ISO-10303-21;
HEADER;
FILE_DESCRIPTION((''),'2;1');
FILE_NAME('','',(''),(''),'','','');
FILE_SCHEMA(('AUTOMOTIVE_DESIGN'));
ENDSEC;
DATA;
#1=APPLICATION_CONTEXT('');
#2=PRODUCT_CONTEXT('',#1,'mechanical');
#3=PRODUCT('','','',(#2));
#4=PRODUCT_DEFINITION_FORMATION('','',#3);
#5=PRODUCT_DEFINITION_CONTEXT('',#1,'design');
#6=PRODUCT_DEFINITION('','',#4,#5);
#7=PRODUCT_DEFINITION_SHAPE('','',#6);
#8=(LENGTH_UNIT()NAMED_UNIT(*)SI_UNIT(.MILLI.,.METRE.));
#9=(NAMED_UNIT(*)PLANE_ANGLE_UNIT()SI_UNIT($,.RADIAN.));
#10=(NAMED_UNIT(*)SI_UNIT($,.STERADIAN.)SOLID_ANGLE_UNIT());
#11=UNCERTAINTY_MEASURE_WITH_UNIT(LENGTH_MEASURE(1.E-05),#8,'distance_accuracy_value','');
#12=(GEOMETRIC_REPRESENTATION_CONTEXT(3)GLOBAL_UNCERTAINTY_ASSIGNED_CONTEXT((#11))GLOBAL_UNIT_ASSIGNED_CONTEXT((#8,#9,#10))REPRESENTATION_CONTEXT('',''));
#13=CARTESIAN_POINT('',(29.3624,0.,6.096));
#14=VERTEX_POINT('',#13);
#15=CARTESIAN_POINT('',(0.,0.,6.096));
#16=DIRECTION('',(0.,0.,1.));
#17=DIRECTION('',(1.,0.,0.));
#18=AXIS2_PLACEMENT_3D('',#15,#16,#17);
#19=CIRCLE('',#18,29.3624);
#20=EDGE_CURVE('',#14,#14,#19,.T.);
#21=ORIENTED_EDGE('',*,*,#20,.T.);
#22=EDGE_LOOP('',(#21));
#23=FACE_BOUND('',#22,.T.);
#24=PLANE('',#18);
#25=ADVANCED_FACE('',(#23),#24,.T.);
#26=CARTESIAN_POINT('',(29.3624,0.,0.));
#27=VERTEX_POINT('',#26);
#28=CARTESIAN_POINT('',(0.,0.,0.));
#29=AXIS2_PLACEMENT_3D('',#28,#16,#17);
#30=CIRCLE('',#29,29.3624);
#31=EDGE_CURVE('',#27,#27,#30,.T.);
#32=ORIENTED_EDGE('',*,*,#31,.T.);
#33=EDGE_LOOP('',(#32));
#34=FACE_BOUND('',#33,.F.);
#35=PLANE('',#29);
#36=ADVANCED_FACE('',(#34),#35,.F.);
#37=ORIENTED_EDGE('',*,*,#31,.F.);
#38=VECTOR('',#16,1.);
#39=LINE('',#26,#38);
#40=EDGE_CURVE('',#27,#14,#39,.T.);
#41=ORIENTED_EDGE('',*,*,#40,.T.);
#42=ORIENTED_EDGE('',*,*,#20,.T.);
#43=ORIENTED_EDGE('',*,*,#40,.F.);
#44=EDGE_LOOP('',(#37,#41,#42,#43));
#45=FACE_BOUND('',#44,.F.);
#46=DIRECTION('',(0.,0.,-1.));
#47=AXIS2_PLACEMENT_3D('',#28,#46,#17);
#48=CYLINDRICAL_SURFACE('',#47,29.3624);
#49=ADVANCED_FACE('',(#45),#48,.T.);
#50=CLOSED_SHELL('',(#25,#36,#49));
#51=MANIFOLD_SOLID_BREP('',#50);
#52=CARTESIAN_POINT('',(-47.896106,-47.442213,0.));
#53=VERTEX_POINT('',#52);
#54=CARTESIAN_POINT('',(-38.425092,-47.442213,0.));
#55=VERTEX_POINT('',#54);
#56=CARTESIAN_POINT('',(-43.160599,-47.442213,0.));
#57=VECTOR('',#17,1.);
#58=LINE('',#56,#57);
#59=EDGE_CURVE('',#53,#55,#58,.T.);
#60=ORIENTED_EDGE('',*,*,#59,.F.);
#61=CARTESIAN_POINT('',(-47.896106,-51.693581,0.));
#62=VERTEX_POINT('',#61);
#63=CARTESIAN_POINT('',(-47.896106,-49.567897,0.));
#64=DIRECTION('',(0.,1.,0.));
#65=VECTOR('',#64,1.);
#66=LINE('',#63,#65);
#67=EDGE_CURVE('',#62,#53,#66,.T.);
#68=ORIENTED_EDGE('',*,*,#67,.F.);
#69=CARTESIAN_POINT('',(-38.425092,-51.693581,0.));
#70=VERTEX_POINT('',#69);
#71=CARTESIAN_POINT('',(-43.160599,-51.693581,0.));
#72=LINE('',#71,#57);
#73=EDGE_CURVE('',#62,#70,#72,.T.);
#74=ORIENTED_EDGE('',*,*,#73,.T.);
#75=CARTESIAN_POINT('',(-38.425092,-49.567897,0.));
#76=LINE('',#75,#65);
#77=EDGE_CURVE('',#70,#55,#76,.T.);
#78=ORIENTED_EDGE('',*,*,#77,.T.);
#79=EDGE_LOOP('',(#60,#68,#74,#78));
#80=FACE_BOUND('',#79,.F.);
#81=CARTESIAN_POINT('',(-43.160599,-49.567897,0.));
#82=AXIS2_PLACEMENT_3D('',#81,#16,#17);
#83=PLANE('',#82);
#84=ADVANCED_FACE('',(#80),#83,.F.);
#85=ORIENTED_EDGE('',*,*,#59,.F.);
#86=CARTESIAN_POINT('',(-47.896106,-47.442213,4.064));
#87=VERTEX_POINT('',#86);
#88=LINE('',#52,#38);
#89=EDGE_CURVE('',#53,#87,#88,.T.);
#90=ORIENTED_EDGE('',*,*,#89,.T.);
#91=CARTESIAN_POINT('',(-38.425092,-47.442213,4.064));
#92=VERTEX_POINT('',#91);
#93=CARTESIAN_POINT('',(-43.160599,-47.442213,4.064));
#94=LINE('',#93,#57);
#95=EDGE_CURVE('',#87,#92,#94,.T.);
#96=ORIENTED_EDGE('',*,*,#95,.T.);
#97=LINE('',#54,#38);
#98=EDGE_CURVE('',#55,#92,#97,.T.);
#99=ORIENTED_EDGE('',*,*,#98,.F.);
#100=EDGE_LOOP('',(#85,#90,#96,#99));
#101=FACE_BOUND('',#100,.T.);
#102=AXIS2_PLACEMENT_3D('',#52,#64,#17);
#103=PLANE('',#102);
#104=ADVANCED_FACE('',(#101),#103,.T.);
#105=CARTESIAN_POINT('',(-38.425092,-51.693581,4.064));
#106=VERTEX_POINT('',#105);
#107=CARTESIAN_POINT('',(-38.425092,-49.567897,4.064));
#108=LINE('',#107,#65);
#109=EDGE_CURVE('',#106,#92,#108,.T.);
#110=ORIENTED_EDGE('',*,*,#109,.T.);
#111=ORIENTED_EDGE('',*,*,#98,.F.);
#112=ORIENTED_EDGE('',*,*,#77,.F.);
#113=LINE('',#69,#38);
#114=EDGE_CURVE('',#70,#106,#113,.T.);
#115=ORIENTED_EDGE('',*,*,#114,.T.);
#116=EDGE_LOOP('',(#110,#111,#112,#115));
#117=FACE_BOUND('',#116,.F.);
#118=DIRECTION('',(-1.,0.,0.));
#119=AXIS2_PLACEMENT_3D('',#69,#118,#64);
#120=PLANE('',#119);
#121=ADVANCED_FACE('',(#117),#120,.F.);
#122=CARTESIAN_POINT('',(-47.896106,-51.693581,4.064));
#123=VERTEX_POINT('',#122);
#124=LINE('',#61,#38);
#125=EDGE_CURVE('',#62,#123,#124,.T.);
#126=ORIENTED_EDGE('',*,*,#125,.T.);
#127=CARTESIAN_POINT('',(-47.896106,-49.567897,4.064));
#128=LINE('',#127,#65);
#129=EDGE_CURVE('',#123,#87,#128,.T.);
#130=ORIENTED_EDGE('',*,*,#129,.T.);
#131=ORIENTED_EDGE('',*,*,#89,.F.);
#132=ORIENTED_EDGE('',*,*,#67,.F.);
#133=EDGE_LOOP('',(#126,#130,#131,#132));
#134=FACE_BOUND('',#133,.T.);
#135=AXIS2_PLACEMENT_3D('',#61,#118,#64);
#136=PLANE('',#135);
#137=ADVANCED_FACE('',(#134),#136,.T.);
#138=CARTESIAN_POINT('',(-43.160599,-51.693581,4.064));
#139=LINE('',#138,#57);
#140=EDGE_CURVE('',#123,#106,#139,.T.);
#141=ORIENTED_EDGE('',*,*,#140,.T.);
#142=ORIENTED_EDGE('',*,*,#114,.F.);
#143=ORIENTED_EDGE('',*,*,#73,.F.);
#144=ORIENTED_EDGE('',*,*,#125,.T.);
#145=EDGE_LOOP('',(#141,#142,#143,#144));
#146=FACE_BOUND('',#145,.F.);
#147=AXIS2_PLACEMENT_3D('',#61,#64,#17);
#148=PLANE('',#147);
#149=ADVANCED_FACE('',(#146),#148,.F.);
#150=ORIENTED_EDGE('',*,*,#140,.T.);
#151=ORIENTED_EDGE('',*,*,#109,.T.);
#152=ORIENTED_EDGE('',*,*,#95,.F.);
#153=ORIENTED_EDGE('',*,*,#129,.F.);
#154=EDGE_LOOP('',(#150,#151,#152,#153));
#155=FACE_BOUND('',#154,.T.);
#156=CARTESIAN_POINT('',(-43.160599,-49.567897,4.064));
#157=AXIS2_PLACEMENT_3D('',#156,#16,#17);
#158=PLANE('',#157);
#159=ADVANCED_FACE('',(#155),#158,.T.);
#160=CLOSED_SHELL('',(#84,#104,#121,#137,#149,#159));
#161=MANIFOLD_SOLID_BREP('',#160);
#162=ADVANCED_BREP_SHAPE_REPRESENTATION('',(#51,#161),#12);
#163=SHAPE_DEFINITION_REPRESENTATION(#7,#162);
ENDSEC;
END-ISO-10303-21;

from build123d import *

# Parameters (mm, degrees)
F0_R     = 29.3624
F1_DEPTH = 6.096
F2_W     = 9.471014
F2_H     = 4.251368
F3_DEPTH = 4.064


with BuildPart() as f1:
    # F0 (on Top) → F1 (new body)
    with BuildSketch(Plane.XY):
        Circle(F0_R)
    extrude(amount=F1_DEPTH)


with BuildPart() as f3:
    # F2 (on Top) → F3 (new body)
    with BuildSketch(Plane.XY):
        with Locations((-43.160599, -49.567897)):
            Rectangle(F2_W, F2_H)
    extrude(amount=F3_DEPTH)


solid = Compound([f1.part, f3.part])
